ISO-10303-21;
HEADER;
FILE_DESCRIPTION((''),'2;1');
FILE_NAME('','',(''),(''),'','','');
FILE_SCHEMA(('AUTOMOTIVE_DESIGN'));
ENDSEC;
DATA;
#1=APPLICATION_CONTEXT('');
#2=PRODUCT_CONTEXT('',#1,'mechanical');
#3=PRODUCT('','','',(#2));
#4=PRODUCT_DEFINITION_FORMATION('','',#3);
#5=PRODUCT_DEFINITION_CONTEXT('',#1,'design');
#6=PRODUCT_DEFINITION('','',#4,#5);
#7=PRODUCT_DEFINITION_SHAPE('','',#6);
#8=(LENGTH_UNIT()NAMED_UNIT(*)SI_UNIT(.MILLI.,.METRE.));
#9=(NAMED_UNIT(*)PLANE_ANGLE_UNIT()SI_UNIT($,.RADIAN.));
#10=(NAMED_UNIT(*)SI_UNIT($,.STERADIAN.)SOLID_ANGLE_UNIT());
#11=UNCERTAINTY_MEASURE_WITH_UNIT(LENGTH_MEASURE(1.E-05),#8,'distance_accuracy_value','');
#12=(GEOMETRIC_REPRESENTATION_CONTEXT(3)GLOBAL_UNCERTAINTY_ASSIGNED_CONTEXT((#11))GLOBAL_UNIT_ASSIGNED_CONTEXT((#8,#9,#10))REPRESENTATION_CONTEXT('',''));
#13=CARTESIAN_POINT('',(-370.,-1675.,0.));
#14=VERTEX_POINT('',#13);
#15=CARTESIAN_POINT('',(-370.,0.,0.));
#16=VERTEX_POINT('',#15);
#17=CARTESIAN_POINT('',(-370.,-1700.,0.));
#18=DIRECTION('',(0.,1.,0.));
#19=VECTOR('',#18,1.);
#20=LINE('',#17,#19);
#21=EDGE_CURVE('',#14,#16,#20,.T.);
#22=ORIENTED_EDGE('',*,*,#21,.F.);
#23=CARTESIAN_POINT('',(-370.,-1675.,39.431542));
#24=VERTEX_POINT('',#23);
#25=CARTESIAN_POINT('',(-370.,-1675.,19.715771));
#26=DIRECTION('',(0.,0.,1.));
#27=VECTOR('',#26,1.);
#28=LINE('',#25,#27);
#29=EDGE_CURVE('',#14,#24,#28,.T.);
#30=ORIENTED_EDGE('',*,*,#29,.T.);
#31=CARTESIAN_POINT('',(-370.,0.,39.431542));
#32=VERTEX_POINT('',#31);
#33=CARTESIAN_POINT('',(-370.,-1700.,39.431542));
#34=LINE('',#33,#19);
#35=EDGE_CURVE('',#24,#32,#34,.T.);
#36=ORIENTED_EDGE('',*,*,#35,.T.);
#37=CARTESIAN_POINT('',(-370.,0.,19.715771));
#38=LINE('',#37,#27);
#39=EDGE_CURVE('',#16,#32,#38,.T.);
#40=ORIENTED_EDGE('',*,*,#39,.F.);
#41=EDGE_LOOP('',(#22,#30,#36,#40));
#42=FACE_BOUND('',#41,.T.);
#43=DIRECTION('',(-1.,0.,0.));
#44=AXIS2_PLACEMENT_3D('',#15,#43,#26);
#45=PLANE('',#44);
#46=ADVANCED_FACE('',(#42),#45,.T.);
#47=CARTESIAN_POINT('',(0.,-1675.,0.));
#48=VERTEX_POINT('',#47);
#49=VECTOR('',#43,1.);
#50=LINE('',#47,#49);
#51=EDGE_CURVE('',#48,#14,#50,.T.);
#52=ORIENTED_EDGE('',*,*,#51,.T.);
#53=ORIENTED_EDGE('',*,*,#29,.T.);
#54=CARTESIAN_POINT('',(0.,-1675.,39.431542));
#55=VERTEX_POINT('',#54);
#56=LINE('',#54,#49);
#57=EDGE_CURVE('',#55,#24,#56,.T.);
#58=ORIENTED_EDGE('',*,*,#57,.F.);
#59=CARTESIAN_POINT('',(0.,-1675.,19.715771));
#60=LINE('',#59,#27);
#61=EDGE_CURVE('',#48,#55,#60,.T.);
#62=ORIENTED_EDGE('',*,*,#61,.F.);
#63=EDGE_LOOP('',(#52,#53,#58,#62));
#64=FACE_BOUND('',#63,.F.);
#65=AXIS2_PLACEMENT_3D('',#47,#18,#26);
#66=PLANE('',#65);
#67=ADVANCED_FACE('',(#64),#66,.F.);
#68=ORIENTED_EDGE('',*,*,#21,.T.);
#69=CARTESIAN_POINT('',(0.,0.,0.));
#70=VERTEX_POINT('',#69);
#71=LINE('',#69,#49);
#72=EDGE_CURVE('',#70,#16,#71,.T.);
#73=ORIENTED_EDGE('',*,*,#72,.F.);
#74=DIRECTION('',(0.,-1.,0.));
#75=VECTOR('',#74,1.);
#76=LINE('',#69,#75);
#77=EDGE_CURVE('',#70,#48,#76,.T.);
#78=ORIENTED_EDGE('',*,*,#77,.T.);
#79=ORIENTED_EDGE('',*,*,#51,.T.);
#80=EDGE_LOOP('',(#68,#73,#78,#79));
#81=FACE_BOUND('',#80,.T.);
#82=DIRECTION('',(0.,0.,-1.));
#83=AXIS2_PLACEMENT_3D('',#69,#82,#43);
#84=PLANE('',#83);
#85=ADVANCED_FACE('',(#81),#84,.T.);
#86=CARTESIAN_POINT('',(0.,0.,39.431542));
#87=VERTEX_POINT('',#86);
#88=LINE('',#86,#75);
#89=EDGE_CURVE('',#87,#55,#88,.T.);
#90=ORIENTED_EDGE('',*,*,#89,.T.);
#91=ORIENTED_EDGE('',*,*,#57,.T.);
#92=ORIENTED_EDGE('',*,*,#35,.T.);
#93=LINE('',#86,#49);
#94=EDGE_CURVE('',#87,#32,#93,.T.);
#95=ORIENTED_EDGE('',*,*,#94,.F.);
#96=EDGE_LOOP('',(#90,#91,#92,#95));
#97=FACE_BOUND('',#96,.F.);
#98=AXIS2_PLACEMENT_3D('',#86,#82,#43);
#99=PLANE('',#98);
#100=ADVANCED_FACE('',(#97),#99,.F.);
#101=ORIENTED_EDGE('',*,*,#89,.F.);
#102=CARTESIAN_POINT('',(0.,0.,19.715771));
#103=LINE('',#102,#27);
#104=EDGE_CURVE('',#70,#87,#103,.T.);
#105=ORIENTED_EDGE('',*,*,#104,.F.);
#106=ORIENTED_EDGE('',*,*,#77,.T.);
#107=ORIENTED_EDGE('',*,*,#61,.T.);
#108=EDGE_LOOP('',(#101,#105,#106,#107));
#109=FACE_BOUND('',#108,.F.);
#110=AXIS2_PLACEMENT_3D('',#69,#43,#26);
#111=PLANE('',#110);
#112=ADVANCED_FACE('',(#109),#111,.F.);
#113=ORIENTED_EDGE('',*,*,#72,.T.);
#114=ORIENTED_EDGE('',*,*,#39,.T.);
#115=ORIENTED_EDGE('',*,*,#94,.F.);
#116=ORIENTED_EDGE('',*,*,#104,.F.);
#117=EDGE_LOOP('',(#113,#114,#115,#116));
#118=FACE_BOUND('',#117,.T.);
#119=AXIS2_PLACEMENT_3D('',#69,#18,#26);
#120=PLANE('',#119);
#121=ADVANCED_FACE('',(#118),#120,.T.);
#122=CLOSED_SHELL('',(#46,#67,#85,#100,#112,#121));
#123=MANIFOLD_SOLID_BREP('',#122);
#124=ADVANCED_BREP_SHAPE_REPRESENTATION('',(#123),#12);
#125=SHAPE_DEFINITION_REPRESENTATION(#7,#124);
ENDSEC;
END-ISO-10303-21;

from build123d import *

# Parameters (mm, degrees)
F0_W     = 48.4505593777
F0_H     = 39.4315421581
F1_DEPTH = 600
F2_DEPTH = 1700
F3_DEPTH = 25
F4_DEPTH = 230


with BuildPart() as f1:
    # F0 (on Right) → F1 (new body)
    with BuildSketch(Plane.YZ):
        with Locations((-24.2252796888, 19.7157710791)):
            Rectangle(F0_W, F0_H)
    extrude(amount=-F1_DEPTH)

    # F2 (add): a face of the model
    f2_faces = [f1.faces().sort_by_distance(p)[0] for p in [
        (-300, 0, 19.7157710791),
    ]]
    extrude(f2_faces, amount=-F2_DEPTH)

    # F3 (cut): a face of the model
    f3_faces = [f1.faces().sort_by_distance(p)[0] for p in [
        (-300, -1700, 19.7157710791),
    ]]
    extrude(f3_faces, amount=-F3_DEPTH, mode=Mode.SUBTRACT)

    # F4 (cut): a face of the model
    f4_faces = [f1.faces().sort_by_distance(p)[0] for p in [
        (-600, -837.5, 19.7157710791),
    ]]
    extrude(f4_faces, amount=-F4_DEPTH, mode=Mode.SUBTRACT)


solid = f1.part
